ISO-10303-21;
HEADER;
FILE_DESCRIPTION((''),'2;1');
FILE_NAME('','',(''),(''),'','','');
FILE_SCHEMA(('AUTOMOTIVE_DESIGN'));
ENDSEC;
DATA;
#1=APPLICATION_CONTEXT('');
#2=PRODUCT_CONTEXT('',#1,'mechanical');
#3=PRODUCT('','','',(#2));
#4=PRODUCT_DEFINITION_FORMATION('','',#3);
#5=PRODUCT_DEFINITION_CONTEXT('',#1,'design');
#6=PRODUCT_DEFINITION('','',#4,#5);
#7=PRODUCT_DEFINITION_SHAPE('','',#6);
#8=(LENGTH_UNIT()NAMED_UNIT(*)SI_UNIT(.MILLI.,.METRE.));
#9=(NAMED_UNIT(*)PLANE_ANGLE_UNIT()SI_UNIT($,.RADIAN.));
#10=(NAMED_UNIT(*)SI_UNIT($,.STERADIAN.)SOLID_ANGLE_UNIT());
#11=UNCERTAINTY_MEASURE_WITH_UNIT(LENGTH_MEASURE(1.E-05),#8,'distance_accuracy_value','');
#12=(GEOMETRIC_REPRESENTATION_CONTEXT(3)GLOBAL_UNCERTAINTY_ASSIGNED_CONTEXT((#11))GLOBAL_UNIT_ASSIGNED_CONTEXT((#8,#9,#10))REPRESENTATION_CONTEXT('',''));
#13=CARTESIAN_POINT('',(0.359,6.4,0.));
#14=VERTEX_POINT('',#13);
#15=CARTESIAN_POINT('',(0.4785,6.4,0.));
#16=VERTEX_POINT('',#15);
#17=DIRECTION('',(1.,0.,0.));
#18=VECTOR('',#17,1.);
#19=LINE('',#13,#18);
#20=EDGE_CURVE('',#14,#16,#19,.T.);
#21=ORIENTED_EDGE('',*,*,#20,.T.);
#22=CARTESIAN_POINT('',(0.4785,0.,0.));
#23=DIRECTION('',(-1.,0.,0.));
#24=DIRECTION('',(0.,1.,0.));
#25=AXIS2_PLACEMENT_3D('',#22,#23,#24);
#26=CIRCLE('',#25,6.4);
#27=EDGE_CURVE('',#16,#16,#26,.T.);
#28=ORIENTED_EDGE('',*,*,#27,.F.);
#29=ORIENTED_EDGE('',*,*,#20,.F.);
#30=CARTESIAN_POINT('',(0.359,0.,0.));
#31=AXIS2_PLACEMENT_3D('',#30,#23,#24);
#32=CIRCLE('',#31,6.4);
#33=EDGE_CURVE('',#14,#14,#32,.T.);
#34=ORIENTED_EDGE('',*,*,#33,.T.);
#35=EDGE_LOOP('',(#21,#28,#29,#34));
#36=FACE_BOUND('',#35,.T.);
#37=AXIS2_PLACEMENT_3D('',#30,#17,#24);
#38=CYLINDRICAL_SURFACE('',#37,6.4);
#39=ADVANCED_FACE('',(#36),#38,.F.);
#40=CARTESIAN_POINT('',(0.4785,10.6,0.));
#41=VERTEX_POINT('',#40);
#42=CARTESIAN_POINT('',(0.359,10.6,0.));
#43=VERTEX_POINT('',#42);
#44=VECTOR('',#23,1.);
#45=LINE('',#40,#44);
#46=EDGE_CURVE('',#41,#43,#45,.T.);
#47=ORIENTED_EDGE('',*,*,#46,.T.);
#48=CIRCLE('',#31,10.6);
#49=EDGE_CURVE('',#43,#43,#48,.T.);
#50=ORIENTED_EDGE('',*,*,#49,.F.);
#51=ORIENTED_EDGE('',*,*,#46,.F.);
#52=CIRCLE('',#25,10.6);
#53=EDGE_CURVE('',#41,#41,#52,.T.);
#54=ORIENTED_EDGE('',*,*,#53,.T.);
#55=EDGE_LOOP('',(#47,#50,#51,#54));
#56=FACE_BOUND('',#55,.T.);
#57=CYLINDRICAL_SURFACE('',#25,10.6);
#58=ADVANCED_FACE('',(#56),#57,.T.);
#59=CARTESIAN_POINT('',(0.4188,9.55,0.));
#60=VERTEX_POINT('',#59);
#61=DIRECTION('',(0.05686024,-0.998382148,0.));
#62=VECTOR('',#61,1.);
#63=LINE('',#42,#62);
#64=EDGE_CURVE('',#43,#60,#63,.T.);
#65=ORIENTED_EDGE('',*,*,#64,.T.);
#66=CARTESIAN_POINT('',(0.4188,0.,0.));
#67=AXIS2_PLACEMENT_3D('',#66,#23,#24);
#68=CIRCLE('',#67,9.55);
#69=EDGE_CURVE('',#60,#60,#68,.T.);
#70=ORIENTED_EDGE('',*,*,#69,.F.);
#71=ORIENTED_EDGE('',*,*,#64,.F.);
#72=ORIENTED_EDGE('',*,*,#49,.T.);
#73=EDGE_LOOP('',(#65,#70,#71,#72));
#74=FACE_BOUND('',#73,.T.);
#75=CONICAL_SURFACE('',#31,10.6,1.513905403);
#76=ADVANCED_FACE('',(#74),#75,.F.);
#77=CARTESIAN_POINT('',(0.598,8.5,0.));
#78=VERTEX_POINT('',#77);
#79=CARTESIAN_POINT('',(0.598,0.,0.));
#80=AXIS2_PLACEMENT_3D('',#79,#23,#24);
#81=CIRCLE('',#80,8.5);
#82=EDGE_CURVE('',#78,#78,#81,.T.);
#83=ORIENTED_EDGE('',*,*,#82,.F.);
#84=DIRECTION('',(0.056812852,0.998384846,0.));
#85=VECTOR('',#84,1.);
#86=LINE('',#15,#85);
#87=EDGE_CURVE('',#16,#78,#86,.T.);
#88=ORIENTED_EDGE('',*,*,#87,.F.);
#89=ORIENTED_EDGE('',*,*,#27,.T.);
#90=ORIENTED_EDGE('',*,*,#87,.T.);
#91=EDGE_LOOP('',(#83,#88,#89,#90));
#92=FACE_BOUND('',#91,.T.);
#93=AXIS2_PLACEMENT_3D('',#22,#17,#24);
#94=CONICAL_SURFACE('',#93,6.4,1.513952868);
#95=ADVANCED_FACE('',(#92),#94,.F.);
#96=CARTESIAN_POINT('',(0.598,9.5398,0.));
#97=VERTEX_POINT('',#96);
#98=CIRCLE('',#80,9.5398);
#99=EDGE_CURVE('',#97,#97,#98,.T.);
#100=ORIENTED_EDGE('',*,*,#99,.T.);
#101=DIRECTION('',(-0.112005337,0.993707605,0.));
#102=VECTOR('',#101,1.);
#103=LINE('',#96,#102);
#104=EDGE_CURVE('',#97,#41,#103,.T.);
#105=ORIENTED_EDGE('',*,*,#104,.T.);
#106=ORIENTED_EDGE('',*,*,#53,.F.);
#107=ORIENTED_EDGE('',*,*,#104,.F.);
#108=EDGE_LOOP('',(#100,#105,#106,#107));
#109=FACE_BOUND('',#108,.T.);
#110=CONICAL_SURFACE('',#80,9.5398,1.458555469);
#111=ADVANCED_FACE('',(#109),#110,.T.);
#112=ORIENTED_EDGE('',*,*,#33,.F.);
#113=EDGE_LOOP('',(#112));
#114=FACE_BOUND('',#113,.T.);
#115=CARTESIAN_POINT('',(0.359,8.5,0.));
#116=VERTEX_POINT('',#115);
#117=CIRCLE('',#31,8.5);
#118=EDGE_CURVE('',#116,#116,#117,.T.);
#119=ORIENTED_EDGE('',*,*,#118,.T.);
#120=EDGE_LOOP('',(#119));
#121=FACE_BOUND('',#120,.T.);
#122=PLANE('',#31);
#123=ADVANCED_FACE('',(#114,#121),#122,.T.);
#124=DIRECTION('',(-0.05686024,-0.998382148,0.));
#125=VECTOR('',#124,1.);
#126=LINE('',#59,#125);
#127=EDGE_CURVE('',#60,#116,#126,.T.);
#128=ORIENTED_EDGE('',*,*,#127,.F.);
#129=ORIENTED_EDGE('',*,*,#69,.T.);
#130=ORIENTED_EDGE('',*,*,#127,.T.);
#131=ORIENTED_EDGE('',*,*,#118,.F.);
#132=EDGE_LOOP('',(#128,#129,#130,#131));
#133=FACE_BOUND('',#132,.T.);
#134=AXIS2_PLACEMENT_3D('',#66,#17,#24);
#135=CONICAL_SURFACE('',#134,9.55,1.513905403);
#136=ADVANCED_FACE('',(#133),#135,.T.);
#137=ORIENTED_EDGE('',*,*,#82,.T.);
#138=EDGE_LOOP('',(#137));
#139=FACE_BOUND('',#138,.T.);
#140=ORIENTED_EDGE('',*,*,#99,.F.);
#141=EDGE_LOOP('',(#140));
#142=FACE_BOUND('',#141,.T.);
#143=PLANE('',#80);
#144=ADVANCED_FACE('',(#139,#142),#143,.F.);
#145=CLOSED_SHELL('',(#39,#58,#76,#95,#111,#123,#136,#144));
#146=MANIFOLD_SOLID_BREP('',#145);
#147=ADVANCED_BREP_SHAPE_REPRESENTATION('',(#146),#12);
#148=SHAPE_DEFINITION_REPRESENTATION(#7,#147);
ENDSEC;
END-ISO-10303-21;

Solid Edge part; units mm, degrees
sketch "Sketch1" plane through (0, 0, 0) normal (0, 0, 1) x (1, 0, 0)
  line L0 (0.359, 6.4) -> (0.4785, 6.4)
  line L1 (0.4785, 6.4) -> (0.598, 8.5)
  line L2 (0.598, 8.5) -> (0.598, 9.5398)
  line L3 (0.598, 9.5398) -> (0.4785, 10.6)
  line L4 (0.4785, 10.6) -> (0.359, 10.6)
  line L5 (0.359, 10.6) -> (0.4188, 9.55)
  line L6 (0.4188, 9.55) -> (0.359, 8.5)
  line L7 (0.359, 8.5) -> (0.359, 6.4)
revolve "RevolvedProtrusion1" add sketch "Sketch1" angle 360 about axis through (0.4785, 0, 0) along (-1, 0, 0)
